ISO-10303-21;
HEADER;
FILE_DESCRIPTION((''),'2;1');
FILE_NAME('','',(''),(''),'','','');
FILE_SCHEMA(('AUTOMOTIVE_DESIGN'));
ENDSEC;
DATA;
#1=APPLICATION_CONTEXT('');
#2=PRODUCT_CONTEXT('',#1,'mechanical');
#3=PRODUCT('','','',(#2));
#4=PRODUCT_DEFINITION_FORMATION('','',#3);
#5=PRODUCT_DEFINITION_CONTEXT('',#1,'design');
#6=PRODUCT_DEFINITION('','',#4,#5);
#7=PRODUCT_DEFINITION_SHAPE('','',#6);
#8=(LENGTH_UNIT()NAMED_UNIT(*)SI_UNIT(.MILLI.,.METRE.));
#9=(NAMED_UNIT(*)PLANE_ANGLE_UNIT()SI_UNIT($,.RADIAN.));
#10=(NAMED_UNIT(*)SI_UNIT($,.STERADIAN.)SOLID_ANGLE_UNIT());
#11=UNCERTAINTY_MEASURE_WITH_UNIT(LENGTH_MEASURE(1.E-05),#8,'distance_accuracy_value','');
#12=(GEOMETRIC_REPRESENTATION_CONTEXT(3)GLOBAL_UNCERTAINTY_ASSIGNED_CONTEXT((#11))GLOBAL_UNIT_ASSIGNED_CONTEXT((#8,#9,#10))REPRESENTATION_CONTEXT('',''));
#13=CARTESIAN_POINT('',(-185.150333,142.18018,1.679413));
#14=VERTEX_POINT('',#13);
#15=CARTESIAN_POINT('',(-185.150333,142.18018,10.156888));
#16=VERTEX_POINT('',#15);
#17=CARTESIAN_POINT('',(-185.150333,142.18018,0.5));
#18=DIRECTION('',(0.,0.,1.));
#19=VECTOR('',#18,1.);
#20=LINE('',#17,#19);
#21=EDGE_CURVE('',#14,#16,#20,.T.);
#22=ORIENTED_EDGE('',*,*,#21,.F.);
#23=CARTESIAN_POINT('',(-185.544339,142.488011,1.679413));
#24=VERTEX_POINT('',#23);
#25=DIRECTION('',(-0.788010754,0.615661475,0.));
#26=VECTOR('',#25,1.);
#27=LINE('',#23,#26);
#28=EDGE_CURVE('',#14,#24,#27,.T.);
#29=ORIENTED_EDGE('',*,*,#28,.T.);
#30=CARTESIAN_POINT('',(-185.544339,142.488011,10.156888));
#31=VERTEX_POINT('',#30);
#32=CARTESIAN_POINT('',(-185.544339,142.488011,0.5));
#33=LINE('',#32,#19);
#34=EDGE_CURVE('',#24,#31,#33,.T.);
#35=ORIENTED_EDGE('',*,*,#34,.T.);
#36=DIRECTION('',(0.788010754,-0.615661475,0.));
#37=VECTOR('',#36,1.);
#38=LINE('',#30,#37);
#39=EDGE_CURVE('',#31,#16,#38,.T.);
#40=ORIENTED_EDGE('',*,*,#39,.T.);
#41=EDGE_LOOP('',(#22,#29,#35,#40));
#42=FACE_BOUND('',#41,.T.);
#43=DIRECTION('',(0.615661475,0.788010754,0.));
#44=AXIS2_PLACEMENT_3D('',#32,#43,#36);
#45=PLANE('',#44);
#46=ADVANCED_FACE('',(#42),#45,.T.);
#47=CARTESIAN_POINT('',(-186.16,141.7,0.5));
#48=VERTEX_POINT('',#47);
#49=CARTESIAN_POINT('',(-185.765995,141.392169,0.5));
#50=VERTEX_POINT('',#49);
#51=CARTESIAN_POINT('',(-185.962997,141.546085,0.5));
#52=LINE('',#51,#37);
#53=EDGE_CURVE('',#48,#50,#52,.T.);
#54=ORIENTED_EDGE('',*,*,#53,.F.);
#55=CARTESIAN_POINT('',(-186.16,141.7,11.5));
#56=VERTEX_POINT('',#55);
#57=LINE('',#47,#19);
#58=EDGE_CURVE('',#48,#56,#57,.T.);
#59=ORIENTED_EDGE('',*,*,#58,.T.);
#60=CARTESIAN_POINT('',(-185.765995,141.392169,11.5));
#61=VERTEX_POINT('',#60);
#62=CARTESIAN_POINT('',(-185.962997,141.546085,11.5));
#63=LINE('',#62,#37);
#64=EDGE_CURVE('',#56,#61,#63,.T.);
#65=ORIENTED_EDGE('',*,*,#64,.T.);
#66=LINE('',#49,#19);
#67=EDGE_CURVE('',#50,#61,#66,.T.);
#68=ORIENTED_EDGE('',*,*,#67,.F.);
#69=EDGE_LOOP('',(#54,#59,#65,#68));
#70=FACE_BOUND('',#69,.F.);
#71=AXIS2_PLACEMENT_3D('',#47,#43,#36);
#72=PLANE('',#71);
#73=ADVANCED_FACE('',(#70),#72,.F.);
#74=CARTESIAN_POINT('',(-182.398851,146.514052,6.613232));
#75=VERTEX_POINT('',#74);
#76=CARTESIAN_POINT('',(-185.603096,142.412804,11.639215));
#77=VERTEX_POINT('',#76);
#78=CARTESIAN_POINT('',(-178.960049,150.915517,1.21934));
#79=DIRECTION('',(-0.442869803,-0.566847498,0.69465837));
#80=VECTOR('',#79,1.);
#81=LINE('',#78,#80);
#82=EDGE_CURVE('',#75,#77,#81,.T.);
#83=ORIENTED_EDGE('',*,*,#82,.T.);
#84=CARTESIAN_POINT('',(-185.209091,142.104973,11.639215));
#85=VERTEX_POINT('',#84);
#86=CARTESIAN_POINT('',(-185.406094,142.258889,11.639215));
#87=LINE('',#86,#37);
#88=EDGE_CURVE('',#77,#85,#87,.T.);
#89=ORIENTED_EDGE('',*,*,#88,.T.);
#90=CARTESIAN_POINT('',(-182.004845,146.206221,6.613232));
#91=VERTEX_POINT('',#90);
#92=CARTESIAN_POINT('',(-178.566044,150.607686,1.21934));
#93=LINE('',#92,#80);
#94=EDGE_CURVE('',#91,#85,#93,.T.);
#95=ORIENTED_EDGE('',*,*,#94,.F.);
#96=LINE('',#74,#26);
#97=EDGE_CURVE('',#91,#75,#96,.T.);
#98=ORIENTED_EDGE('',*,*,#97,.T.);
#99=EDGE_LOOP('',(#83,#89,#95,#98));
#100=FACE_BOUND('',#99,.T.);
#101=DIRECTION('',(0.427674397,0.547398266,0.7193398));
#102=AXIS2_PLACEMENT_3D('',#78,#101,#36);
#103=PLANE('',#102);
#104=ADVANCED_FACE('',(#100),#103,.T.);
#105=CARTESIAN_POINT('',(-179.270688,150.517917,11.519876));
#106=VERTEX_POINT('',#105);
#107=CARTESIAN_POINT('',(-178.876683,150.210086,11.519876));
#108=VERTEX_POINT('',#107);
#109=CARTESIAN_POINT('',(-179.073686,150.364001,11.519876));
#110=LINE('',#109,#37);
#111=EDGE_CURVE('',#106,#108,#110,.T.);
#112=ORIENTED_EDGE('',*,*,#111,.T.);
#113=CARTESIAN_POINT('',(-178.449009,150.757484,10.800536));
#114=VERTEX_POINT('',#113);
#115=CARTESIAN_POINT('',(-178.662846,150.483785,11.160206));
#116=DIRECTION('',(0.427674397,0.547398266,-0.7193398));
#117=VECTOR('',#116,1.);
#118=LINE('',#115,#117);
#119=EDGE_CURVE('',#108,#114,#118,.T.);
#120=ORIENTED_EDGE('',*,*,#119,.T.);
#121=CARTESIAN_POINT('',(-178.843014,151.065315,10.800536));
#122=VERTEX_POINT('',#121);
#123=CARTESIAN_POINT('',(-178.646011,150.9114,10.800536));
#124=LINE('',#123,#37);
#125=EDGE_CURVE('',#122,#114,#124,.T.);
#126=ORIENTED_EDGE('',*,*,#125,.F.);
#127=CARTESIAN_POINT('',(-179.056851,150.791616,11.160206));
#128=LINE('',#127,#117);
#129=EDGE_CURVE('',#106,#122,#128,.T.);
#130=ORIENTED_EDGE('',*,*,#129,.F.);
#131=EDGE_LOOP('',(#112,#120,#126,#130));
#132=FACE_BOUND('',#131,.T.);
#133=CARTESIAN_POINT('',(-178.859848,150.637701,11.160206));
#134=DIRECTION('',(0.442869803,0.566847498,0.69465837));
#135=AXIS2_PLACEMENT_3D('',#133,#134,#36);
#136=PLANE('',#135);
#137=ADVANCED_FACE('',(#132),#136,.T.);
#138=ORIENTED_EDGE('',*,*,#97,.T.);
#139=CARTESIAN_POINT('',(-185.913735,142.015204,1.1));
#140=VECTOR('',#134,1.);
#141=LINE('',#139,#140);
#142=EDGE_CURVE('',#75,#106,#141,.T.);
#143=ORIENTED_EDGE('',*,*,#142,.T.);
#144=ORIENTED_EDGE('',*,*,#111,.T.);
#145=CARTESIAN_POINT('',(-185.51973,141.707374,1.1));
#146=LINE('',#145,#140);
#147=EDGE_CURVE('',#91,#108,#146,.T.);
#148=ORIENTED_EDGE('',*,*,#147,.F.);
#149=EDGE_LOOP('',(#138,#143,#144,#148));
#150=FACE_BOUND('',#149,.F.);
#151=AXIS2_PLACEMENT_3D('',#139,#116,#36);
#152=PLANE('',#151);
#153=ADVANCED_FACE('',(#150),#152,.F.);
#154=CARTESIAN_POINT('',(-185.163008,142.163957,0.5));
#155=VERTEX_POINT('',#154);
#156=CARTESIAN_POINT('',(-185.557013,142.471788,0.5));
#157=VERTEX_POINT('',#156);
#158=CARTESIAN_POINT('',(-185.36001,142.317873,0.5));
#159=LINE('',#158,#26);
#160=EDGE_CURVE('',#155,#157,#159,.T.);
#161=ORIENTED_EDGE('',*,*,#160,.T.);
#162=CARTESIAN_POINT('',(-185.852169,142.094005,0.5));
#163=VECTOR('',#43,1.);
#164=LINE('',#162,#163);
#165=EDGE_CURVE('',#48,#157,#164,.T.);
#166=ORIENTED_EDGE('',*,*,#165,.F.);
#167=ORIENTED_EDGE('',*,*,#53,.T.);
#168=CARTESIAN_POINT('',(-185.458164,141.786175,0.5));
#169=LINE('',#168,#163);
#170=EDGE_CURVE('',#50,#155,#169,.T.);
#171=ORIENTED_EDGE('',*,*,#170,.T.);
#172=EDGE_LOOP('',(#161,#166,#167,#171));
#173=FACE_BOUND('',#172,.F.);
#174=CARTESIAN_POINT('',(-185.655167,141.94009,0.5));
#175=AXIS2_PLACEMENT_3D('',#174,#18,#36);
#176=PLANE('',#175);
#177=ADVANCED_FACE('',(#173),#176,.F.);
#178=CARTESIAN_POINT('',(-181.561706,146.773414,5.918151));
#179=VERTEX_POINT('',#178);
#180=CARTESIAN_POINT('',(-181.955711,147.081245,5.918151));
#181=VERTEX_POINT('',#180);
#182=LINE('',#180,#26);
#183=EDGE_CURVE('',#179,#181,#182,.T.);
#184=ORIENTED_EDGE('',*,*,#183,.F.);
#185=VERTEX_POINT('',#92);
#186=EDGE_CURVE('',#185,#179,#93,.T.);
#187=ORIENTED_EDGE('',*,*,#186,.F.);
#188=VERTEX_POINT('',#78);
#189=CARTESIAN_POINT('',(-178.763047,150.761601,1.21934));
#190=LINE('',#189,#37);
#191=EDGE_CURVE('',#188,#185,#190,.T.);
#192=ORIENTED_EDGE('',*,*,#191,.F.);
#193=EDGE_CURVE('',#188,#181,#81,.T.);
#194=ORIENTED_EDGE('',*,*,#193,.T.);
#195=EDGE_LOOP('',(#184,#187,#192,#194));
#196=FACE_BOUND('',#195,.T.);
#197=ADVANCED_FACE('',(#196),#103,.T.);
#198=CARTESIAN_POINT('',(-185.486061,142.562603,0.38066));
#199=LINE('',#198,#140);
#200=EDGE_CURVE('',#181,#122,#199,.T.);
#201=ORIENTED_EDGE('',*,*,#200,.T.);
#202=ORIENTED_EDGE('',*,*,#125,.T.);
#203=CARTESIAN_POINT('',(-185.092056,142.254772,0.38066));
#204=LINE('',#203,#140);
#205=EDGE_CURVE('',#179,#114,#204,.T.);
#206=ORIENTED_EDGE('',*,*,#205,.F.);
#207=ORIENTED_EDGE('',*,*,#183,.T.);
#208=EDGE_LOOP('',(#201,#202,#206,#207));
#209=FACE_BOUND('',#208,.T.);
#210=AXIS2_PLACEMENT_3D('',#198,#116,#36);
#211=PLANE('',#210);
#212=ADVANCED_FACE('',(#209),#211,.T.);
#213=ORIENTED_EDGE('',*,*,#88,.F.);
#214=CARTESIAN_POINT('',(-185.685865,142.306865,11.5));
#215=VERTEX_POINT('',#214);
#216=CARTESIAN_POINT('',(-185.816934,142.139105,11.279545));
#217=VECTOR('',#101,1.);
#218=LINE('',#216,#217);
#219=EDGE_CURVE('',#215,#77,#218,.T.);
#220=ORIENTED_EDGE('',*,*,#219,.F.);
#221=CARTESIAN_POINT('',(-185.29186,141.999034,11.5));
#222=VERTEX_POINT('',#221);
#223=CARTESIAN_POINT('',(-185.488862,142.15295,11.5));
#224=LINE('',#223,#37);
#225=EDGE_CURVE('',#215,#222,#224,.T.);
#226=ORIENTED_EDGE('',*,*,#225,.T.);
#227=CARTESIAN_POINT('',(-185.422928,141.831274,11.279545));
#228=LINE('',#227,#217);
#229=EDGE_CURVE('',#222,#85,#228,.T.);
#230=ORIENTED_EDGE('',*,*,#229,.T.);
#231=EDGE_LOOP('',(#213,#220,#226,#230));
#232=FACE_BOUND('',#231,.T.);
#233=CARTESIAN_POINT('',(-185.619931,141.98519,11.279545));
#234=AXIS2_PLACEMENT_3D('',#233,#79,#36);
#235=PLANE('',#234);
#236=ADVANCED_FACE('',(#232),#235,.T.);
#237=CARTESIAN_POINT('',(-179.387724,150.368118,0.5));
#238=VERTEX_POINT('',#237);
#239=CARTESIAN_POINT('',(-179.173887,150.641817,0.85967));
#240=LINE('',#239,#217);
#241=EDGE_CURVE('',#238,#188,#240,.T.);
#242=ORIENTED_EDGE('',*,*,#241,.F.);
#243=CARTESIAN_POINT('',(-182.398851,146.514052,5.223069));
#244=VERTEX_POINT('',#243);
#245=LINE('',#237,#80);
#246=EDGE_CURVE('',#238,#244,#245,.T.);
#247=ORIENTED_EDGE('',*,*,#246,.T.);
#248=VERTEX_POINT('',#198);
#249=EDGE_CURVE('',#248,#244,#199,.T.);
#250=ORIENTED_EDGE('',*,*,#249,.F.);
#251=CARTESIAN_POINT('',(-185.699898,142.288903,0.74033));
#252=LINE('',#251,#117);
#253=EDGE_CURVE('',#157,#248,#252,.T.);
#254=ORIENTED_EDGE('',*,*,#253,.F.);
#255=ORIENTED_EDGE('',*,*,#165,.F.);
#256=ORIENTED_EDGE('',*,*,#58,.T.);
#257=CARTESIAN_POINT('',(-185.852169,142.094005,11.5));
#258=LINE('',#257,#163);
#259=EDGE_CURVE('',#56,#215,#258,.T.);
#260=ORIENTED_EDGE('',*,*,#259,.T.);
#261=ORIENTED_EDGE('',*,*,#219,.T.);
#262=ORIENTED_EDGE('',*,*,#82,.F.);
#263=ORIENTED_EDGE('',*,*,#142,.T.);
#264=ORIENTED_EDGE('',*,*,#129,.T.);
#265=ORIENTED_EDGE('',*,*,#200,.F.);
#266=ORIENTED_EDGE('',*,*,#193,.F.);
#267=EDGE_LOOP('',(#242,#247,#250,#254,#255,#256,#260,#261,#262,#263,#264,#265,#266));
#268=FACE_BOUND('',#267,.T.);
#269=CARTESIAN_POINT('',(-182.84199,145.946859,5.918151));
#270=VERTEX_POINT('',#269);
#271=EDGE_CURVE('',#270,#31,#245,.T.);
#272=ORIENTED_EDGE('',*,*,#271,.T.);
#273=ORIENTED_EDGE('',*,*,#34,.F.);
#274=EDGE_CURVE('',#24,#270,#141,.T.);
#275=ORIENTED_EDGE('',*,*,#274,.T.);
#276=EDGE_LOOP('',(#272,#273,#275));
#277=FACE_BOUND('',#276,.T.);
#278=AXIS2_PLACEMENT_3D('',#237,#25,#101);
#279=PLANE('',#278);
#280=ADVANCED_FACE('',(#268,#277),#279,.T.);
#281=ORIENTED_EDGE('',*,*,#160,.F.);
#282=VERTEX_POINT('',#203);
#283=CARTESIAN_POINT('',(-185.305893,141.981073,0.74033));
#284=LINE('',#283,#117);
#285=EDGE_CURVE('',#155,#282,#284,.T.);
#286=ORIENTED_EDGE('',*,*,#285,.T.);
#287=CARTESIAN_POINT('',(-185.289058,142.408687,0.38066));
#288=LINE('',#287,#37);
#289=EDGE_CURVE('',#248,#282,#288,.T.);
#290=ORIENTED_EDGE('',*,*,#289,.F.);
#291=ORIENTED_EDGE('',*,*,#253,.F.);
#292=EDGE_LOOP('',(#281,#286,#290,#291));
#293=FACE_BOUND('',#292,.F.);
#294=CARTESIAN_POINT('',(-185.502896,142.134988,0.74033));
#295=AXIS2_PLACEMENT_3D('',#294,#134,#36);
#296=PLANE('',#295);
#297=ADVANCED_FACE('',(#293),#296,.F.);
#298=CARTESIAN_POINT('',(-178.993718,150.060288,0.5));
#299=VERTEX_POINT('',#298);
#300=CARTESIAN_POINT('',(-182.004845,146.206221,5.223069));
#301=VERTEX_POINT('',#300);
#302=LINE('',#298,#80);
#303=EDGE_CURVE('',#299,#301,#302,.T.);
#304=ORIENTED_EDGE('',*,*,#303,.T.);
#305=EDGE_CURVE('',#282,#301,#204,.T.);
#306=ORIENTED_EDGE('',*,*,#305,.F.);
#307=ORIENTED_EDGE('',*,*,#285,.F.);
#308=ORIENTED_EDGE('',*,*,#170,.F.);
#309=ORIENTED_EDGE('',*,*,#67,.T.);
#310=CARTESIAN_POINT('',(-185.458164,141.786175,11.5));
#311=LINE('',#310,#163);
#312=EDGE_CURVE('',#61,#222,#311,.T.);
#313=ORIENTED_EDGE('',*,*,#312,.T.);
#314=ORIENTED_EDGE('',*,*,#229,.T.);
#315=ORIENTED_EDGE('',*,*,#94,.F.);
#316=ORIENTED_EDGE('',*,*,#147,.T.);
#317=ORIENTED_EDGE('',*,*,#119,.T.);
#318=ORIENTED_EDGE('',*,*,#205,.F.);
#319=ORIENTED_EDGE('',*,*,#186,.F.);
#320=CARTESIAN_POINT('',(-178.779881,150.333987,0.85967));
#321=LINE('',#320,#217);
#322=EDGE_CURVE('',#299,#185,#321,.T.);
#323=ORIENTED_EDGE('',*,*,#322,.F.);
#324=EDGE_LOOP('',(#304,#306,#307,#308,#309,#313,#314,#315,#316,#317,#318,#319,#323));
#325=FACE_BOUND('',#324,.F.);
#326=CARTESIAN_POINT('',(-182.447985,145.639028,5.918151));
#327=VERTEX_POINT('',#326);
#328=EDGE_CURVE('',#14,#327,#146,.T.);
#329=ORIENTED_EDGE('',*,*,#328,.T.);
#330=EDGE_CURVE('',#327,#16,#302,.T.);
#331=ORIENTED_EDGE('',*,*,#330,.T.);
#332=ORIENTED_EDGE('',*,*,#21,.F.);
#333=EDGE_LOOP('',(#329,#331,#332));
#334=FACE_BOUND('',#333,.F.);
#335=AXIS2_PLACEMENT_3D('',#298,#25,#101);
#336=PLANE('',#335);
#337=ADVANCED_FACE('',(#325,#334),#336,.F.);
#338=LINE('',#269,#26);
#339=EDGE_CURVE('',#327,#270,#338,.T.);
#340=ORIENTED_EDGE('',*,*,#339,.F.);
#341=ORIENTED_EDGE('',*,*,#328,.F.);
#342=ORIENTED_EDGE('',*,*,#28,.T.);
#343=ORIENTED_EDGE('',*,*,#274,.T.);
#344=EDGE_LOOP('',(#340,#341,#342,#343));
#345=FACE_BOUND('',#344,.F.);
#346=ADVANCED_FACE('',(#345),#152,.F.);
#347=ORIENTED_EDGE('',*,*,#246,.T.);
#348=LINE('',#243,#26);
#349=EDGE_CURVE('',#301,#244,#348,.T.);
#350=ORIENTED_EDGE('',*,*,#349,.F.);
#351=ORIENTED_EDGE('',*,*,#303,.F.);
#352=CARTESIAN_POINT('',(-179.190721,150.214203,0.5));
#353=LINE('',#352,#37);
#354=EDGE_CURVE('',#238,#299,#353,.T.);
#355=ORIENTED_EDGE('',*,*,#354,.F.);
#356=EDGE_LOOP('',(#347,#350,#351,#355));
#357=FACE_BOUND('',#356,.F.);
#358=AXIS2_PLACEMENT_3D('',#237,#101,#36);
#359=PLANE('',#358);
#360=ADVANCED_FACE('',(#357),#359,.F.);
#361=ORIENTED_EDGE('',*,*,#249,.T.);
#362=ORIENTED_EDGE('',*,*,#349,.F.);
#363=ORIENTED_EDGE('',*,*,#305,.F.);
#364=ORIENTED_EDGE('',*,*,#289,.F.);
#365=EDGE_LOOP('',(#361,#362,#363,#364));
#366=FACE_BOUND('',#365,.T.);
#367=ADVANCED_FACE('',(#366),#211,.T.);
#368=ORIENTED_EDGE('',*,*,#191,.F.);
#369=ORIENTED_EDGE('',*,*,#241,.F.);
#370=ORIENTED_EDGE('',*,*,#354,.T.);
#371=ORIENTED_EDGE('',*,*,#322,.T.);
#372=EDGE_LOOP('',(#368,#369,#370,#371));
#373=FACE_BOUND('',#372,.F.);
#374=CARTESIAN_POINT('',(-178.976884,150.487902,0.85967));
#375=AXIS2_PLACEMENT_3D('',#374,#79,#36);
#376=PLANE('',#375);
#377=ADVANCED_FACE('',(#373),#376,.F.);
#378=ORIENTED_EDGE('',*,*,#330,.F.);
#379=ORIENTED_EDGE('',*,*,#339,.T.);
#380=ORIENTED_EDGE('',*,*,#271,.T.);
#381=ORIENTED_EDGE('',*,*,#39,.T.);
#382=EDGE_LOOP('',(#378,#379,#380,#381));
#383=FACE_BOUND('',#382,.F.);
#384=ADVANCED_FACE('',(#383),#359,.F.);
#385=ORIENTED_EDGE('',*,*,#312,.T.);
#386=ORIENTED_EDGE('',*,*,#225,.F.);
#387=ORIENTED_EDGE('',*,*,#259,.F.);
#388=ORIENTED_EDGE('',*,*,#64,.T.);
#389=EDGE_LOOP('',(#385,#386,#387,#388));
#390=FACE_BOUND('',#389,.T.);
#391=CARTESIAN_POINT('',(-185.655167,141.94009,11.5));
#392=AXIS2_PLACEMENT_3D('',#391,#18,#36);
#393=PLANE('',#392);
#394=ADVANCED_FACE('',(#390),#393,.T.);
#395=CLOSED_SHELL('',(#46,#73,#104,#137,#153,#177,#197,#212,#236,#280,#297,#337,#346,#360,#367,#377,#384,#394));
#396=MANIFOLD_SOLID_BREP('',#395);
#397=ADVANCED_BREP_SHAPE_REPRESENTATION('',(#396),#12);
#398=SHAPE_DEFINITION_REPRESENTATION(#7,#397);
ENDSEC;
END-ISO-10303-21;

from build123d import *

# Parameters (mm, degrees)
BOX235_W                  = 0.5
BOX235_H                  = 1
BOX235_DEPTH              = 15
BOX235_ROLL_ANGLE         = 46
BOX236_W                  = 0.5
BOX236_H                  = 1
BOX236_DEPTH              = 15
BOX236_ROLL_ANGLE         = -46
BOX234_W                  = 0.5
BOX234_H                  = 1
BOX234_DEPTH              = 11
FUSION021_PLACEMENT_ANGLE = -38


with BuildPart() as cubo235:
    # Box235 → Box235 (new body)
    with BuildSketch(Plane.XY):
        with Locations((0.25, 0.5)):
            Rectangle(BOX235_W, BOX235_H)
    extrude(amount=BOX235_DEPTH)


with BuildPart() as cubo235_1:
    # Box235 roll: moved
    add(cubo235.part.rotate(Axis((0, 0, 0), (1, 0, 0)), BOX235_ROLL_ANGLE))


with BuildPart() as cubo235_2:
    # Box235 placement: moved
    add(cubo235_1.part.moved(Location((0, 11, 0.5))))


with BuildPart() as cubo236:
    # Box236 → Box236 (new body)
    with BuildSketch(Plane.XY):
        with Locations((0.25, 0.5)):
            Rectangle(BOX236_W, BOX236_H)
    extrude(amount=BOX236_DEPTH)


with BuildPart() as cubo236_1:
    # Box236 roll: moved
    add(cubo236.part.rotate(Axis((0, 0, 0), (1, 0, 0)), BOX236_ROLL_ANGLE))


with BuildPart() as cubo236_2:
    # Box236 placement: moved
    add(cubo236_1.part.moved(Location((0, 0.4, 1.1))))


with BuildPart() as fusion021:
    # Box234 → Box234 (new body)
    with BuildSketch(Plane.XY.offset(0.5)):
        with Locations((0.25, 0.5)):
            Rectangle(BOX234_W, BOX234_H)
    extrude(amount=BOX234_DEPTH)

    # Fusion021: union Cubo235, Cubo236
    add(cubo235_2.part)
    add(cubo236_2.part)


with BuildPart() as fusion021_1:
    # Fusion021 placement: moved
    add(fusion021.part.moved(Location((-186.16, 141.7, 0))).rotate(Axis((-186.16, 141.7, 0), (0, 0, 1)), FUSION021_PLACEMENT_ANGLE))


solid = fusion021_1.part
